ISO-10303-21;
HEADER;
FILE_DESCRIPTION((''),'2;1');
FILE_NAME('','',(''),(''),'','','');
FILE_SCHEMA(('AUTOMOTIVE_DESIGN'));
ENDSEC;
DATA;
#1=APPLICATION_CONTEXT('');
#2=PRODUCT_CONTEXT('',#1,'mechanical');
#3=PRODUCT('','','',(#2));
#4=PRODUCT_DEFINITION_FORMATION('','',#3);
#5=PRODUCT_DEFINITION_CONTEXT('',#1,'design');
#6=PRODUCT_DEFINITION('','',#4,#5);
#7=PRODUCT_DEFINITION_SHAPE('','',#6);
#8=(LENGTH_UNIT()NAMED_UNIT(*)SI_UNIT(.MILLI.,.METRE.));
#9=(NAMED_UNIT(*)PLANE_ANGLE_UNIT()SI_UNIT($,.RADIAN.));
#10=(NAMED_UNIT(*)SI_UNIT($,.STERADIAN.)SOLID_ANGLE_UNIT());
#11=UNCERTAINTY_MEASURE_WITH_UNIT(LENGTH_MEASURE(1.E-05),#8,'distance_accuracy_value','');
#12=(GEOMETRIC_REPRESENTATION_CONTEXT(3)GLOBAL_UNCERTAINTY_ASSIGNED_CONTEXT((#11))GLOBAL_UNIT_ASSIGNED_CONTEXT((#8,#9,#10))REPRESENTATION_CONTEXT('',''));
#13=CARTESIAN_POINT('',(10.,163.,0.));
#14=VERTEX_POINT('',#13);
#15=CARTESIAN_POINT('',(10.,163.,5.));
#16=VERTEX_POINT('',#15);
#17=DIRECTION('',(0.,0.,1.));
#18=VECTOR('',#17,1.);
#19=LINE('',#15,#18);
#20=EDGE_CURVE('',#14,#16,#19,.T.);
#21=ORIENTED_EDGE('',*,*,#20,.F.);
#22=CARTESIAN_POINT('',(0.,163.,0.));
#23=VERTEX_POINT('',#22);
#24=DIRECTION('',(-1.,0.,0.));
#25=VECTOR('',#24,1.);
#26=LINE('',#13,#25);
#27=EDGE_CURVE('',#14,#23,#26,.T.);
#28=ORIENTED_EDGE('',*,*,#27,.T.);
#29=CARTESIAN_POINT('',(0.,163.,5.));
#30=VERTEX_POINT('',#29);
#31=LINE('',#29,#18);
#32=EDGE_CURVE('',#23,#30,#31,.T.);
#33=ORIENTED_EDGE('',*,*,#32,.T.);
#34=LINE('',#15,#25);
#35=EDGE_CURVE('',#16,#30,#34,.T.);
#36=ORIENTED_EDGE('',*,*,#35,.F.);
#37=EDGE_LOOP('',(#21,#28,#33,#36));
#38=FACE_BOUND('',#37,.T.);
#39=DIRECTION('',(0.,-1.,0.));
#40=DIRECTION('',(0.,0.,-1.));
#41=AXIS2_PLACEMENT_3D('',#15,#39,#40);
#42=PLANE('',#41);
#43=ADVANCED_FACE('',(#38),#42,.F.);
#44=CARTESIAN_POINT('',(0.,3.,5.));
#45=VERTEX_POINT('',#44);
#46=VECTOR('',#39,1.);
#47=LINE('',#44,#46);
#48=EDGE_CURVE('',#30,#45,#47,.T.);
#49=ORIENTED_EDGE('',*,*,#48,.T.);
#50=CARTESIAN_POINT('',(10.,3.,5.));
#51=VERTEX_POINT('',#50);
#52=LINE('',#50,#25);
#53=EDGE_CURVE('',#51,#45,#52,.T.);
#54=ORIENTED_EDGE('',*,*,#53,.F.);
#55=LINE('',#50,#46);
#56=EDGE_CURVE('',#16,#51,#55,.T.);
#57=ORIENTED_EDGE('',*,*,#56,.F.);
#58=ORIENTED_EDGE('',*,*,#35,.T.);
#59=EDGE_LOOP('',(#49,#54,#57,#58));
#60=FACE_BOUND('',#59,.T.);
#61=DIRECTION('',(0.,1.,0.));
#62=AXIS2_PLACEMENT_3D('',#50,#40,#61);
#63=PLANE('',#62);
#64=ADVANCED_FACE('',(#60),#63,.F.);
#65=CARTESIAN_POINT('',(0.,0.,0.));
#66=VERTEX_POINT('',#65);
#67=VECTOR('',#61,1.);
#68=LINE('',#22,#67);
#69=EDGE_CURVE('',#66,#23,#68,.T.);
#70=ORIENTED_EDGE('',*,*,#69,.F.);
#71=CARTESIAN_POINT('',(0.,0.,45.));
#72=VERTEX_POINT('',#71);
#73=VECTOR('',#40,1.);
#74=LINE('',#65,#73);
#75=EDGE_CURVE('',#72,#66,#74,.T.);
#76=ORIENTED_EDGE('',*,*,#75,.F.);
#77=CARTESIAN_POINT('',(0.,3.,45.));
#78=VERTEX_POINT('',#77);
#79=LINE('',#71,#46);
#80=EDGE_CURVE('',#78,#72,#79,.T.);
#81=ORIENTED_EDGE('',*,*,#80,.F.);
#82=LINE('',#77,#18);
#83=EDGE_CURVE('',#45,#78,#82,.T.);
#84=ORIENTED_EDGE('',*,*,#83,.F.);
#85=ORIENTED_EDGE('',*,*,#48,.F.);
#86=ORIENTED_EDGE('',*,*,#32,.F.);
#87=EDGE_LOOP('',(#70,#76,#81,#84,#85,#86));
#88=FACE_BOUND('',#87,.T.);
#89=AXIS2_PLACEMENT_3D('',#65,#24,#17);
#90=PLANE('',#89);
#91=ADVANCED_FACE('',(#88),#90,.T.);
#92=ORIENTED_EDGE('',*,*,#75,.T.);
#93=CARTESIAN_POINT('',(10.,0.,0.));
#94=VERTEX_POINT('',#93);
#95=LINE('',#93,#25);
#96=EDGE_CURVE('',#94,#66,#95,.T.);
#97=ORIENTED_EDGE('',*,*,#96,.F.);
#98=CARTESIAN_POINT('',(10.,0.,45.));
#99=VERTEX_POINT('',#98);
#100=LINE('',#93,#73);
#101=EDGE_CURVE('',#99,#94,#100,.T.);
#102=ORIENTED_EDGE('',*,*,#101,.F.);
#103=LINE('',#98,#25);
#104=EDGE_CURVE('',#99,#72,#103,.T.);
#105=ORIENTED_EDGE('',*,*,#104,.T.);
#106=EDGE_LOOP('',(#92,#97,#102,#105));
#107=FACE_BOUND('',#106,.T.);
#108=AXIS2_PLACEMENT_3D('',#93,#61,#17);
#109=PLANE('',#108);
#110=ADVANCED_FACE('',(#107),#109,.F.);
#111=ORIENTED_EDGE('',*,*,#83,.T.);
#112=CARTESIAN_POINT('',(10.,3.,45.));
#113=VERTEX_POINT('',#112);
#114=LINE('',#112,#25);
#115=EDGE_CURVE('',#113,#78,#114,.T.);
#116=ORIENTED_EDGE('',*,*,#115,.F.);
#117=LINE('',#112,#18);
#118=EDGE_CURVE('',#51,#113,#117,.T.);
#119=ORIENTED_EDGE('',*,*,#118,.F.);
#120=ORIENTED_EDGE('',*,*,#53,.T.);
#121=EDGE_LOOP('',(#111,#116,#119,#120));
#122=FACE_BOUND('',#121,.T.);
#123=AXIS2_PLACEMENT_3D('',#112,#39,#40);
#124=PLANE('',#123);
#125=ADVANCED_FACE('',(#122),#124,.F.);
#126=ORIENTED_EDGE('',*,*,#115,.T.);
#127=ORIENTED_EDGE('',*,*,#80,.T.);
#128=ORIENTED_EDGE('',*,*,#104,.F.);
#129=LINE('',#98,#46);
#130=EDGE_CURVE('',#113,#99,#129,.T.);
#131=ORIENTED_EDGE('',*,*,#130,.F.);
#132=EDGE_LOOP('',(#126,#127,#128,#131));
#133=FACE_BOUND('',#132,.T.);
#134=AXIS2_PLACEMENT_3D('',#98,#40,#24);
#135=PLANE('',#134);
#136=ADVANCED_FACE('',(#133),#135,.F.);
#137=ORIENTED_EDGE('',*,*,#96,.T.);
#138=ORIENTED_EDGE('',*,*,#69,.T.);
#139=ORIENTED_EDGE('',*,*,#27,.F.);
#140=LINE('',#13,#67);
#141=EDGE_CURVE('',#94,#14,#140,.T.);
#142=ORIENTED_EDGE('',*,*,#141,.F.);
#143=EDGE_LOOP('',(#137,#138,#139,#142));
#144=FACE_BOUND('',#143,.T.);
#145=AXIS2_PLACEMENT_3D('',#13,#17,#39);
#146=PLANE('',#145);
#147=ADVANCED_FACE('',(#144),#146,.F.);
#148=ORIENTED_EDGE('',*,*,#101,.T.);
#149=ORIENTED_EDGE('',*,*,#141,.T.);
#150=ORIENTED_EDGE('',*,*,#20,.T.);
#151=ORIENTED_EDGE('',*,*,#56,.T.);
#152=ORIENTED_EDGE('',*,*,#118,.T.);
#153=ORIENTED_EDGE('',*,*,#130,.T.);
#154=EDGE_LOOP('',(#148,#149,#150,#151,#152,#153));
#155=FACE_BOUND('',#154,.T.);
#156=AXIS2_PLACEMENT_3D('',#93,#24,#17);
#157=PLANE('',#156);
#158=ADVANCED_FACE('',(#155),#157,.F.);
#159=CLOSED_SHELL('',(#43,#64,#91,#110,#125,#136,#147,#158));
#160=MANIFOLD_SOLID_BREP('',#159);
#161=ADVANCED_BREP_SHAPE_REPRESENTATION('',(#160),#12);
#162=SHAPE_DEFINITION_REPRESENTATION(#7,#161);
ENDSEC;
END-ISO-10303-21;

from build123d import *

# Parameters (mm, degrees)
BOSS_EXTRUDE1_DEPTH = 10


with BuildPart() as part:
    # Sketch1 → Boss-Extrude1 (new body)
    with BuildSketch(Plane(origin=(0, 0, 0), x_dir=(0, 0, -1), z_dir=(1, 0, 0))):
        Polygon((0, 0), (-45, 0), (-45, 3), (-5, 3), (-5, 163), (0, 163), align=None)
    extrude(amount=BOSS_EXTRUDE1_DEPTH)


solid = part.part
